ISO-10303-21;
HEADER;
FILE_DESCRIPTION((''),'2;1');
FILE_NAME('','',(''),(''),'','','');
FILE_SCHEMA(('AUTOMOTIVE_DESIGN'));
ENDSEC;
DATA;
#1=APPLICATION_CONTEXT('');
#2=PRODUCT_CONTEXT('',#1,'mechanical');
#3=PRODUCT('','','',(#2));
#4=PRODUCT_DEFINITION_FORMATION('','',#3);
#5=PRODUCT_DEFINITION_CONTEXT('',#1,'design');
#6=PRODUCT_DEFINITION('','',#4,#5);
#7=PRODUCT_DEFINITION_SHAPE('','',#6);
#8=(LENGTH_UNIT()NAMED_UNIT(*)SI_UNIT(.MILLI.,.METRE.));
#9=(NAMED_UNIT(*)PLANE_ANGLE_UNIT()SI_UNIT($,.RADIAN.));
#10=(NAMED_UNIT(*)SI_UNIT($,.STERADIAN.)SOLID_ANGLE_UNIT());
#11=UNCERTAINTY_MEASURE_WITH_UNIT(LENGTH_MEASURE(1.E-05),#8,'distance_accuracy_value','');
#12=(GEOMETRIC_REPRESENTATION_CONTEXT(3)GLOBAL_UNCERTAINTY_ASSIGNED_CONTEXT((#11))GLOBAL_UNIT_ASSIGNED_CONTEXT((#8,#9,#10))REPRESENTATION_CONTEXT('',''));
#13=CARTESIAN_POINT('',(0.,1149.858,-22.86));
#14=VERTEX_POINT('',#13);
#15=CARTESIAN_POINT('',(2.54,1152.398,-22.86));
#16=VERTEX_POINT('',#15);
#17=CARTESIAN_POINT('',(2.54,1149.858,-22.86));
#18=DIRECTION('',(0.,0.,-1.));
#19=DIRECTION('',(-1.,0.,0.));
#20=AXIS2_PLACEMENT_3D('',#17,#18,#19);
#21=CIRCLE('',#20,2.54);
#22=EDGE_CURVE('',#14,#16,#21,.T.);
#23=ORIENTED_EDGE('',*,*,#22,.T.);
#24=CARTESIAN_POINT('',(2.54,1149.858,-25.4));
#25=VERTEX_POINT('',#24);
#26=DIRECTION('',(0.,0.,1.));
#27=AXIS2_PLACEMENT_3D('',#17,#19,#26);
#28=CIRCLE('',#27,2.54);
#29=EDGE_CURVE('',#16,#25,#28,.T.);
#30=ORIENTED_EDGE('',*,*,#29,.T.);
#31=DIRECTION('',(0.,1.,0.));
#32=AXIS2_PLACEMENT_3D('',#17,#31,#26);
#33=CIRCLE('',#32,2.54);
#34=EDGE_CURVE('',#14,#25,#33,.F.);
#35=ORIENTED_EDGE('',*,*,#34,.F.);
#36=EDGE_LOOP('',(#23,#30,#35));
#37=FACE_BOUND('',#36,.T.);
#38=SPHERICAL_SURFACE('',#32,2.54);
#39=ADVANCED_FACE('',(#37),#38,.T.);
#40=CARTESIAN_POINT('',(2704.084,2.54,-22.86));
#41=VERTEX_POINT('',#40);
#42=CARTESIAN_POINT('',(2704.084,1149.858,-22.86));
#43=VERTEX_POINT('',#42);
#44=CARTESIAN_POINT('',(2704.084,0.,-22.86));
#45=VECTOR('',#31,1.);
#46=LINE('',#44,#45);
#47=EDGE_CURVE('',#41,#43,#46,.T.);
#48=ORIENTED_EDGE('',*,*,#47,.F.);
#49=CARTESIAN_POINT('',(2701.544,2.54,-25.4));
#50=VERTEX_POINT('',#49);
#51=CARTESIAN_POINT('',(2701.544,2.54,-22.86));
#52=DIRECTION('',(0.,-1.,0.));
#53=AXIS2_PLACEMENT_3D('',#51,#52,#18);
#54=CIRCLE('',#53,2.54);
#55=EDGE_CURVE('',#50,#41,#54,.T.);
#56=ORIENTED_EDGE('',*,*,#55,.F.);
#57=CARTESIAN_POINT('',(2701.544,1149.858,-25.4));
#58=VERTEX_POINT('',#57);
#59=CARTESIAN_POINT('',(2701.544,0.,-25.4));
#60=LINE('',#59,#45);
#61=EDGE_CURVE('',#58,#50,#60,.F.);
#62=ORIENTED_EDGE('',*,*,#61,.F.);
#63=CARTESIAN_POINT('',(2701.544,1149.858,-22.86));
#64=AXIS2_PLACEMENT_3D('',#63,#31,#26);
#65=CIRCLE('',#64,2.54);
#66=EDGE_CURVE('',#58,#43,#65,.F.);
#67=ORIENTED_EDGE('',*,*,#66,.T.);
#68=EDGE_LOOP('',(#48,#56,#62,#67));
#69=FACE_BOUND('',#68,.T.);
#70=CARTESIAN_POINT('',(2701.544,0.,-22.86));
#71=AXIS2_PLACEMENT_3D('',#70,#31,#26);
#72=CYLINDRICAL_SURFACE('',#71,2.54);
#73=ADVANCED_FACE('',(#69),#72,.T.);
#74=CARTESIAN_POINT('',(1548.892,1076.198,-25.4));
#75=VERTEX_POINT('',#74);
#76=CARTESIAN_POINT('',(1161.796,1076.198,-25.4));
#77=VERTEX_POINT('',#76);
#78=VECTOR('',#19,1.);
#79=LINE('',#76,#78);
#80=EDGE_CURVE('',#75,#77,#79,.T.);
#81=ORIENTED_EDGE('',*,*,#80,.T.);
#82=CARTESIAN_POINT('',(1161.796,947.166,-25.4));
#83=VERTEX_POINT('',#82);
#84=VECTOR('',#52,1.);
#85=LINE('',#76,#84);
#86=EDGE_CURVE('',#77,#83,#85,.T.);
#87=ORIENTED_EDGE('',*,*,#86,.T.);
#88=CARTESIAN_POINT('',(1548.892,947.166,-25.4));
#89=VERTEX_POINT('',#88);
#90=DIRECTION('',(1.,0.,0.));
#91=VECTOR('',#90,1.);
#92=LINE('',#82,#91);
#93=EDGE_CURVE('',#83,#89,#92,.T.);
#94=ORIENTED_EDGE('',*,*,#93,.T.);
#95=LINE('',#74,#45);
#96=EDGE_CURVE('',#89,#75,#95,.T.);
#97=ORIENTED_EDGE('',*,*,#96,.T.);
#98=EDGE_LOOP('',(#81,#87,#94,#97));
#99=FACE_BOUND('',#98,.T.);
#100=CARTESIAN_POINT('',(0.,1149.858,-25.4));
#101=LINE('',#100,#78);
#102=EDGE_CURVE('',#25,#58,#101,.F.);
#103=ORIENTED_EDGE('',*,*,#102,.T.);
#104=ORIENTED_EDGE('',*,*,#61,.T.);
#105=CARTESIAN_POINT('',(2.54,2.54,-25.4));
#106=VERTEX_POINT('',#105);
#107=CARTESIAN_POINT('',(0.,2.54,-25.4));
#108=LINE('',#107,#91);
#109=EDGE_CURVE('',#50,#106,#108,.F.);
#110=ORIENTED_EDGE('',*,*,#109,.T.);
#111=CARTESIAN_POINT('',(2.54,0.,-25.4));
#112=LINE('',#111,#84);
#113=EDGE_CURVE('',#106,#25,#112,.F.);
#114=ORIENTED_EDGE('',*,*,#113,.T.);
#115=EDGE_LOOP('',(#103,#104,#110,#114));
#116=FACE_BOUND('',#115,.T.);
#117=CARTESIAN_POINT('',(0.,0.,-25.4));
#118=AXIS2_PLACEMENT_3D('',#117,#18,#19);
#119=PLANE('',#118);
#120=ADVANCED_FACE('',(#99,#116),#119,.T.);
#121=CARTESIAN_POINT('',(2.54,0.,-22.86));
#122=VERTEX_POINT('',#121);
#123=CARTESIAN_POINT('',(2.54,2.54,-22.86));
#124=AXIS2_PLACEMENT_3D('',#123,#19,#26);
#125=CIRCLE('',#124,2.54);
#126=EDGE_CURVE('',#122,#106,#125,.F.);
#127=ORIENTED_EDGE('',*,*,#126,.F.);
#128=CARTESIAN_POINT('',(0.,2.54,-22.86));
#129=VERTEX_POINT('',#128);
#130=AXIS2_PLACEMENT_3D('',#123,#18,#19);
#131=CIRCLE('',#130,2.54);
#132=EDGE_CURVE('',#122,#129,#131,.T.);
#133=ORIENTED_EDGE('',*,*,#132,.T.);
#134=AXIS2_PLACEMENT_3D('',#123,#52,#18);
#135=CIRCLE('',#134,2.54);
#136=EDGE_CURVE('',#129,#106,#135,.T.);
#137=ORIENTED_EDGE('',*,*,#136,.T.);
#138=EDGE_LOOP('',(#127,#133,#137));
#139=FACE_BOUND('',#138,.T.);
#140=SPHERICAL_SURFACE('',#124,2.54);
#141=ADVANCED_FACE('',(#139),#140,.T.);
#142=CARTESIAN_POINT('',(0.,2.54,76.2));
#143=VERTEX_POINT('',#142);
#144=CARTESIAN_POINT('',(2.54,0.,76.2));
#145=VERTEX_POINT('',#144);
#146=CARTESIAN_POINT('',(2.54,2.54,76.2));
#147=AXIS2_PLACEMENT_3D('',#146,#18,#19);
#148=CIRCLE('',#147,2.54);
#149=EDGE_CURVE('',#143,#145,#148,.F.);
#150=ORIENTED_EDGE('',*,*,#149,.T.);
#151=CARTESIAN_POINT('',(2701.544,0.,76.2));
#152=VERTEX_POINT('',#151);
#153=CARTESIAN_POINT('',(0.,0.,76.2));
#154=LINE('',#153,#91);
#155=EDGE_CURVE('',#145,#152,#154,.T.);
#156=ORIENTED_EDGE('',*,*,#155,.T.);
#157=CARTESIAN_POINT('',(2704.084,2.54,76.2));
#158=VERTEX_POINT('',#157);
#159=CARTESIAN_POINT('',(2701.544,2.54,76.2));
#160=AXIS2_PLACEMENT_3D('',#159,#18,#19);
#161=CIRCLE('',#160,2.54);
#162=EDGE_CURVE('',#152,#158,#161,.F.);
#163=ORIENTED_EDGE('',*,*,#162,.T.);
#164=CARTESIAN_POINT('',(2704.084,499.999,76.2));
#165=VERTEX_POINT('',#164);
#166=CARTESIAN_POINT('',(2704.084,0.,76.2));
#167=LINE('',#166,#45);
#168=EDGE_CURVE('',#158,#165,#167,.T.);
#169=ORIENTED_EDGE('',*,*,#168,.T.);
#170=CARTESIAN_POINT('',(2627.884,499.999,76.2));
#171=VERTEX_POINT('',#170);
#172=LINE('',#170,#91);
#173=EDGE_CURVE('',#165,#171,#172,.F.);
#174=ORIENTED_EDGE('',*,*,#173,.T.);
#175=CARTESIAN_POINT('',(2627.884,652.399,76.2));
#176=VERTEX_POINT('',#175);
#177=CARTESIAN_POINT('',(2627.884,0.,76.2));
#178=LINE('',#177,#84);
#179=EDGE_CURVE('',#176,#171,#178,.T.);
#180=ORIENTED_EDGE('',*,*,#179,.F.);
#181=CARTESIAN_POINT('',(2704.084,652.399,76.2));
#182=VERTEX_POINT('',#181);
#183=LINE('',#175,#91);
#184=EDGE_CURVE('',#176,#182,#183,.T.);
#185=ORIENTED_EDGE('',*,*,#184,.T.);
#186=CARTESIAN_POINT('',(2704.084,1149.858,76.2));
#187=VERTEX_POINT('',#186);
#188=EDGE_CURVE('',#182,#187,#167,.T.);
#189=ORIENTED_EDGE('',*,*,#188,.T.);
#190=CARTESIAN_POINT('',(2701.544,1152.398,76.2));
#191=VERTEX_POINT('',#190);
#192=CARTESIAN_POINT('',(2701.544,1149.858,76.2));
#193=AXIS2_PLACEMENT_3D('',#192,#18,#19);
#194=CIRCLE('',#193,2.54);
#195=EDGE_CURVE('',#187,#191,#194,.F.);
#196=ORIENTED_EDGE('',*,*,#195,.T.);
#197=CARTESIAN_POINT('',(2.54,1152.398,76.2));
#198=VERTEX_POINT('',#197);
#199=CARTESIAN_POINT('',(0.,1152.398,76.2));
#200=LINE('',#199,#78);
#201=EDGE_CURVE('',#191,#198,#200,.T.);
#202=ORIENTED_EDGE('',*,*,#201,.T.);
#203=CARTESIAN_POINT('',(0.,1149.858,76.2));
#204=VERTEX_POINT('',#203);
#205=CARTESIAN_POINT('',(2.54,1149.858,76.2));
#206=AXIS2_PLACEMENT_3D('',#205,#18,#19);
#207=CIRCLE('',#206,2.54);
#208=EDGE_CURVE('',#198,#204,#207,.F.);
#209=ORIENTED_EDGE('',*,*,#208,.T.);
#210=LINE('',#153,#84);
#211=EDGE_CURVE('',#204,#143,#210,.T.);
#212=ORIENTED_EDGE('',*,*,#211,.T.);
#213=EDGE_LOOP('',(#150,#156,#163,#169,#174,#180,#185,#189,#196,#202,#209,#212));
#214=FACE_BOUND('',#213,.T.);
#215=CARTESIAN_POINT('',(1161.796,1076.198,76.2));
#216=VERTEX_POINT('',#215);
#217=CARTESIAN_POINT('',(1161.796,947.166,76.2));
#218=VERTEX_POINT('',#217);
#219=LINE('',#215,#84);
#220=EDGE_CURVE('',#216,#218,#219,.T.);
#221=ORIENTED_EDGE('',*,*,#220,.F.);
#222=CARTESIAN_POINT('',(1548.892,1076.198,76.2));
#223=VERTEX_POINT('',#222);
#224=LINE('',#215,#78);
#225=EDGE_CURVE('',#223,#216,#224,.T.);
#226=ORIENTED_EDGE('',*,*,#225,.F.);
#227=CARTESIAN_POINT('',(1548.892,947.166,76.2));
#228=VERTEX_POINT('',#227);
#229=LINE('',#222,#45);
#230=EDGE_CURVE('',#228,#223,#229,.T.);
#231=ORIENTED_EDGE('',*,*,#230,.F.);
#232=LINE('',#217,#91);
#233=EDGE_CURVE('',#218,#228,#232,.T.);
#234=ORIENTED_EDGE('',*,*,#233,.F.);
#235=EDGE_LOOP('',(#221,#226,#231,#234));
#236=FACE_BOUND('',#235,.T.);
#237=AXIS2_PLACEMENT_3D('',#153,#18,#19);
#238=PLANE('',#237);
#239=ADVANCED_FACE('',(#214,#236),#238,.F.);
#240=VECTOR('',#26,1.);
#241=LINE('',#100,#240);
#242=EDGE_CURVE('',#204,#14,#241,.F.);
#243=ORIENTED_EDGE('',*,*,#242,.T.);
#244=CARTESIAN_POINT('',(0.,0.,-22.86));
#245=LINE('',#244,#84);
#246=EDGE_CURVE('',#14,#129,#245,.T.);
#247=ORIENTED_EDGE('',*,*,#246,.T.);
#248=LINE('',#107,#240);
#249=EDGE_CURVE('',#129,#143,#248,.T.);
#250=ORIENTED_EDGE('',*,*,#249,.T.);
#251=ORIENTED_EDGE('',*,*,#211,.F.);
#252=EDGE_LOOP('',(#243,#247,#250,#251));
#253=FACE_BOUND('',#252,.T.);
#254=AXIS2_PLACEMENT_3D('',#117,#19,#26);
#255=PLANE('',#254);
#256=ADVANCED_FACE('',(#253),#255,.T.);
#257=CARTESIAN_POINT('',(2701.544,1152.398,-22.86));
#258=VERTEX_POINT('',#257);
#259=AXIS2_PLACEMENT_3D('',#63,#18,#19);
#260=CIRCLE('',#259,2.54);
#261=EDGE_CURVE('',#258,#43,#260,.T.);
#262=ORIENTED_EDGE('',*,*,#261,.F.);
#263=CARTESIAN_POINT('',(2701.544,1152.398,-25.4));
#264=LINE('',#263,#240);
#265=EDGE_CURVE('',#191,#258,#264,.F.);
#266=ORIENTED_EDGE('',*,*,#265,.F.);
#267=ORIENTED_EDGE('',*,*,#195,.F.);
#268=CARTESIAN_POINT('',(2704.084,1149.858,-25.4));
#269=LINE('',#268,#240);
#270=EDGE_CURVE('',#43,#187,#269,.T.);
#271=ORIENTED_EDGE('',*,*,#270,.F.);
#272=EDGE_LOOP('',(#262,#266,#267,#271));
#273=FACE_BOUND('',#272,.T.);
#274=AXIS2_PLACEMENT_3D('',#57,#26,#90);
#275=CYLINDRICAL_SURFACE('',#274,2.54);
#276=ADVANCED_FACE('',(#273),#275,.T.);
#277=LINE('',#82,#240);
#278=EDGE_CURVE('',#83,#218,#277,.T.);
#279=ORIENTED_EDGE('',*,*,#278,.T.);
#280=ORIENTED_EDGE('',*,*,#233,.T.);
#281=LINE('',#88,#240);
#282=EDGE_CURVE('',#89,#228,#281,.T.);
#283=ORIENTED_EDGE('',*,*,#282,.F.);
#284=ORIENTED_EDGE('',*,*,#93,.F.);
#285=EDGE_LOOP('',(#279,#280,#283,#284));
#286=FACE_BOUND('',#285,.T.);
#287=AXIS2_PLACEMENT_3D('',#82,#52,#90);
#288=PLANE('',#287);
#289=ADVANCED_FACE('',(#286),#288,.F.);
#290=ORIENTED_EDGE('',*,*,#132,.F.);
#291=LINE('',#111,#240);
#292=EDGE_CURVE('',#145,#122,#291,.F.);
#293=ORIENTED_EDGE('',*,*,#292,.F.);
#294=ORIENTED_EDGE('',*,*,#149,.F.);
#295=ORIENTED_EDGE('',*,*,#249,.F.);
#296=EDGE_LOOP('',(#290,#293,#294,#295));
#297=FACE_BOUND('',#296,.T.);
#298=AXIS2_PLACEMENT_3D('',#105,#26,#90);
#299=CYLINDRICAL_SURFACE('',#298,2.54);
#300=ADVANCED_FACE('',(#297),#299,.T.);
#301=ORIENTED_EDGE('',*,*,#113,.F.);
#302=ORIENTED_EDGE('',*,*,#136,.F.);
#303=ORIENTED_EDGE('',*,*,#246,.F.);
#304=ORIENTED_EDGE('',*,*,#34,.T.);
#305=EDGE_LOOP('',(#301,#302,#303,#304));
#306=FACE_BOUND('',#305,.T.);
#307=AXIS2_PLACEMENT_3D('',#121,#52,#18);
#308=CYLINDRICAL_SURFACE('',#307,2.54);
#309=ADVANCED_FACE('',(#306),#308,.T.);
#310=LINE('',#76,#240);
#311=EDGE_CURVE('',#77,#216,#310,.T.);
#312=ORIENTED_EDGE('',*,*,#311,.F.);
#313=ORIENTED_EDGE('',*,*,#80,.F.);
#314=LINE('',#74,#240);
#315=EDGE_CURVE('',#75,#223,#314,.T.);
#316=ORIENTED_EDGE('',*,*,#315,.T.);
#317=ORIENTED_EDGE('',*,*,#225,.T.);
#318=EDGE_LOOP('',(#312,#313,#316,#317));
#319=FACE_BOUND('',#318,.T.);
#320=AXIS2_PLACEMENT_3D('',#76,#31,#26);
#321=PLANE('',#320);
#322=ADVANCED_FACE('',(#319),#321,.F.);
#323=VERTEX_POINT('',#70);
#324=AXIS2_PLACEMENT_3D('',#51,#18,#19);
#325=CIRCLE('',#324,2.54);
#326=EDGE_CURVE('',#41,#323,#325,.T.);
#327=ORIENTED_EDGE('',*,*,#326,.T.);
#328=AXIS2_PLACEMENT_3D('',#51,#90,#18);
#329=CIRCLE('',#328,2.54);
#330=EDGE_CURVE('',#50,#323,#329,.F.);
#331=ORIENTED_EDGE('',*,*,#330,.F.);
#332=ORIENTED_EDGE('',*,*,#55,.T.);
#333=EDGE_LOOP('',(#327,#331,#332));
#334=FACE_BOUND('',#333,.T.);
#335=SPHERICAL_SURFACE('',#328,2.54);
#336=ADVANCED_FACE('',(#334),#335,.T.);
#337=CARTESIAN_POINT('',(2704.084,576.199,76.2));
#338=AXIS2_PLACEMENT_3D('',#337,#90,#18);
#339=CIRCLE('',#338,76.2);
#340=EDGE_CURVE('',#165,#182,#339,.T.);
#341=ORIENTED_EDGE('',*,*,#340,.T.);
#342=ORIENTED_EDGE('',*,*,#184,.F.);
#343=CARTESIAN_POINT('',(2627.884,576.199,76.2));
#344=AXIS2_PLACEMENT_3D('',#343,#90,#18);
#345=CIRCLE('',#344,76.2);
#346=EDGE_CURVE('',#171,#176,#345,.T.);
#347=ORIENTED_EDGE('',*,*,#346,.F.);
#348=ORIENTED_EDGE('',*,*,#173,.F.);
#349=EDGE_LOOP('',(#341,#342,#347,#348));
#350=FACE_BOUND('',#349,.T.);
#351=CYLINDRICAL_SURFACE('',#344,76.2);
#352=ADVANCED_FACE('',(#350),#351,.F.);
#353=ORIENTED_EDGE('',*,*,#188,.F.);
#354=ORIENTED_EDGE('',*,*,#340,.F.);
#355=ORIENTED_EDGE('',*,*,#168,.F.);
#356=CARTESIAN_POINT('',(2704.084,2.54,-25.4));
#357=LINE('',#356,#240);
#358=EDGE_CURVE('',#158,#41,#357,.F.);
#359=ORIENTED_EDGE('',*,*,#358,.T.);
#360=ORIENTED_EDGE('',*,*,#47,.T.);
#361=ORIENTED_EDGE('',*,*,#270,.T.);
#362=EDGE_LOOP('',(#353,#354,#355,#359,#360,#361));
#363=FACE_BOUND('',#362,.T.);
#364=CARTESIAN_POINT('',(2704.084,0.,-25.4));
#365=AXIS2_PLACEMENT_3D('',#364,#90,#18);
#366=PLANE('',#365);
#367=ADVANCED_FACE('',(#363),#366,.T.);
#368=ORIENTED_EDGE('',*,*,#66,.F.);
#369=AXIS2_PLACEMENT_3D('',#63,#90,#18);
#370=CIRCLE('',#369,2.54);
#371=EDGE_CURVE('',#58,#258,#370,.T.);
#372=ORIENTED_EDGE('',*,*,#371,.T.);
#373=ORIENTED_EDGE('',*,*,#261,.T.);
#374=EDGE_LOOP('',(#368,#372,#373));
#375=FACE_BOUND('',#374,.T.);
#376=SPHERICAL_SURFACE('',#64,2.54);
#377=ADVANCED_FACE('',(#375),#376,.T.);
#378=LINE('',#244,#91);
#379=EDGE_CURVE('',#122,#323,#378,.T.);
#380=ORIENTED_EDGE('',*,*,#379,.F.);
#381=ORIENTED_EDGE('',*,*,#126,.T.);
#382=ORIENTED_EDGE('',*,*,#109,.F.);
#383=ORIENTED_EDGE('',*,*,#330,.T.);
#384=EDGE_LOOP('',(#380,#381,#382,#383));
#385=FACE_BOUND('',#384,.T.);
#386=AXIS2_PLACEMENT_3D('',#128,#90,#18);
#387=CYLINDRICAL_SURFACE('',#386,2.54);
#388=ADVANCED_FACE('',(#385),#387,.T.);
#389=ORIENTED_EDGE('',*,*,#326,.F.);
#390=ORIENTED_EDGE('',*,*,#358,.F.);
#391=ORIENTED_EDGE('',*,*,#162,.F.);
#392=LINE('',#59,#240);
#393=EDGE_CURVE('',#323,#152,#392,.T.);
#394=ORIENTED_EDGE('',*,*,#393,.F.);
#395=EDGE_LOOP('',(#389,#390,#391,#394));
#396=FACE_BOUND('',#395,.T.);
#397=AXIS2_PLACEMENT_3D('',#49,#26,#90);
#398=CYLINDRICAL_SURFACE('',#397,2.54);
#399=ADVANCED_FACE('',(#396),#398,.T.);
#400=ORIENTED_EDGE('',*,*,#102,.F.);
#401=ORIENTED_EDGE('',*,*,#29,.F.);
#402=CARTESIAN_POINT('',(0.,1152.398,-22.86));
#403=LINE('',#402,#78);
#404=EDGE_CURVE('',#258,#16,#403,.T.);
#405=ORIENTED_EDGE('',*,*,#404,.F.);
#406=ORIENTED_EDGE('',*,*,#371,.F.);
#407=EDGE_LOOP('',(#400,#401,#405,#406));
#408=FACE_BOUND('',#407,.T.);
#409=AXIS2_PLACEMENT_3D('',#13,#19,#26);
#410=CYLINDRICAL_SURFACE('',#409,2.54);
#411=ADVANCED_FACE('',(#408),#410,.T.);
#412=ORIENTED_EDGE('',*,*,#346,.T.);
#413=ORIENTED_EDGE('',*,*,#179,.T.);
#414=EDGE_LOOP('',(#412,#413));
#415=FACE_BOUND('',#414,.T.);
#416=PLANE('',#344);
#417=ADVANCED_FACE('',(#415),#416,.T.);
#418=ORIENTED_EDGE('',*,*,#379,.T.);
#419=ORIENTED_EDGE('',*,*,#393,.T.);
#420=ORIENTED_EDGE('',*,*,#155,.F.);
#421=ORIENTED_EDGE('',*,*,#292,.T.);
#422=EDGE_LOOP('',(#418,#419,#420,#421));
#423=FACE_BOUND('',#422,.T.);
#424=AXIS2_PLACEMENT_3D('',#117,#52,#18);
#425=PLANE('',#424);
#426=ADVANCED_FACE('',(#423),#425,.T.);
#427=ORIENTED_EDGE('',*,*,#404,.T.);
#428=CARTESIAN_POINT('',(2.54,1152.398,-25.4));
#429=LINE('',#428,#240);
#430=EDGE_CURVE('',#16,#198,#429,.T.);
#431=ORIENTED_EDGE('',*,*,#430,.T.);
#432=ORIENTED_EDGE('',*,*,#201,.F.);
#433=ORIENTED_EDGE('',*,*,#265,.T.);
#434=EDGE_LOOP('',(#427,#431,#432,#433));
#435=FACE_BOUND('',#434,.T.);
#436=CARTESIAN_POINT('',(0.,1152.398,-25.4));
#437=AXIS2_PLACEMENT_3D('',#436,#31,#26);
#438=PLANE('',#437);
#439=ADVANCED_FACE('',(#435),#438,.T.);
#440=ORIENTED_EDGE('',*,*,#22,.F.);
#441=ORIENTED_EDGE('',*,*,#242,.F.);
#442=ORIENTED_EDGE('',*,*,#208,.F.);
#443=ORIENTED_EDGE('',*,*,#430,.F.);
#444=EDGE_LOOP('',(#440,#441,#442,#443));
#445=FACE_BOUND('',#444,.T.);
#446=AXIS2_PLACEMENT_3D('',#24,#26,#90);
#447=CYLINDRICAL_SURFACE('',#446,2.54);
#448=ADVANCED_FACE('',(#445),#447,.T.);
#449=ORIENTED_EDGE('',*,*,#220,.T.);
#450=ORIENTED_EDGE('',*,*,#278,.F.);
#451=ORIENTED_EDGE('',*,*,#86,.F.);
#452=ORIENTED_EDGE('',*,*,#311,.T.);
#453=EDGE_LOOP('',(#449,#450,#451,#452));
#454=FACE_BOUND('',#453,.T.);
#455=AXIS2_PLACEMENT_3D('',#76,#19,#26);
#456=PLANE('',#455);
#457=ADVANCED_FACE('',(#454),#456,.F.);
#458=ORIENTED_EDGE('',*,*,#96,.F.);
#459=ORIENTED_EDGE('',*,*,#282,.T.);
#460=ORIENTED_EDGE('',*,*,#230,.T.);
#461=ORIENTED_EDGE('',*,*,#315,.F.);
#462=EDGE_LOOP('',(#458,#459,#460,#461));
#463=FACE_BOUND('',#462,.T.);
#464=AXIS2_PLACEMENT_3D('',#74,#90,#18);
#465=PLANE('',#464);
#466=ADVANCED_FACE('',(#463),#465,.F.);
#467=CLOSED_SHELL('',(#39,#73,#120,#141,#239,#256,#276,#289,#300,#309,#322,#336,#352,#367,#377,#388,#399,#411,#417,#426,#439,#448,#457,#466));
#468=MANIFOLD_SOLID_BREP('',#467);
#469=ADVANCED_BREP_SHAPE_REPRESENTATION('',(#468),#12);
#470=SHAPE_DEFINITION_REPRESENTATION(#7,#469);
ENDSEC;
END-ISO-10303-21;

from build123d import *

# Parameters (mm, degrees)
BOSS_EXTRUDE1_DEPTH      = 76.2
BOSS_EXTRUDE1_DEPTH_BACK = 25.4
SKETCH1_W                = 2704.084
SKETCH1_H                = 1152.398
SKETCH1_W_2              = 387.096
SKETCH1_H_2              = 129.032
SKETCH2_R                = 76.2
CUT_EXTRUDE1_DEPTH       = 76.2
FILLET1_R                = 2.54


with BuildPart() as part:
    # Sketch1 → Boss-Extrude1 (new, two sides: drawn at the far end of the back side and taken through both)
    with BuildSketch(Plane.XY.offset(-BOSS_EXTRUDE1_DEPTH_BACK)):
        with Locations((1352.042, 576.199)):
            Rectangle(SKETCH1_W, SKETCH1_H)
        with Locations((1355.344, 1011.682)):
            Rectangle(SKETCH1_W_2, SKETCH1_H_2, mode=Mode.SUBTRACT)
    extrude(amount=BOSS_EXTRUDE1_DEPTH + BOSS_EXTRUDE1_DEPTH_BACK)

    # Sketch2 → Cut-Extrude1 (cut)
    with BuildSketch(Plane(origin=(2704.084, 0, 0), x_dir=(0, 0, -1), z_dir=(1, 0, 0))):
        with Locations((-76.2, 576.199)):
            Circle(SKETCH2_R)
    extrude(amount=-CUT_EXTRUDE1_DEPTH, mode=Mode.SUBTRACT)

    # Fillet1
    fillet1_edges = [part.edges().sort_by_distance(p)[0] for p in [
        (2704.084, 576.199, -25.4),
        (1352.042, 1152.398, -25.4),
        (0, 576.199, -25.4),
        (0, 1152.398, 25.4),
        (2704.084, 1152.398, 25.4),
        (2704.084, 0, 25.4),
        (0, 0, 25.4),
        (1352.042, 0, -25.4),
    ]]
    fillet(fillet1_edges, radius=FILLET1_R)


solid = part.part
